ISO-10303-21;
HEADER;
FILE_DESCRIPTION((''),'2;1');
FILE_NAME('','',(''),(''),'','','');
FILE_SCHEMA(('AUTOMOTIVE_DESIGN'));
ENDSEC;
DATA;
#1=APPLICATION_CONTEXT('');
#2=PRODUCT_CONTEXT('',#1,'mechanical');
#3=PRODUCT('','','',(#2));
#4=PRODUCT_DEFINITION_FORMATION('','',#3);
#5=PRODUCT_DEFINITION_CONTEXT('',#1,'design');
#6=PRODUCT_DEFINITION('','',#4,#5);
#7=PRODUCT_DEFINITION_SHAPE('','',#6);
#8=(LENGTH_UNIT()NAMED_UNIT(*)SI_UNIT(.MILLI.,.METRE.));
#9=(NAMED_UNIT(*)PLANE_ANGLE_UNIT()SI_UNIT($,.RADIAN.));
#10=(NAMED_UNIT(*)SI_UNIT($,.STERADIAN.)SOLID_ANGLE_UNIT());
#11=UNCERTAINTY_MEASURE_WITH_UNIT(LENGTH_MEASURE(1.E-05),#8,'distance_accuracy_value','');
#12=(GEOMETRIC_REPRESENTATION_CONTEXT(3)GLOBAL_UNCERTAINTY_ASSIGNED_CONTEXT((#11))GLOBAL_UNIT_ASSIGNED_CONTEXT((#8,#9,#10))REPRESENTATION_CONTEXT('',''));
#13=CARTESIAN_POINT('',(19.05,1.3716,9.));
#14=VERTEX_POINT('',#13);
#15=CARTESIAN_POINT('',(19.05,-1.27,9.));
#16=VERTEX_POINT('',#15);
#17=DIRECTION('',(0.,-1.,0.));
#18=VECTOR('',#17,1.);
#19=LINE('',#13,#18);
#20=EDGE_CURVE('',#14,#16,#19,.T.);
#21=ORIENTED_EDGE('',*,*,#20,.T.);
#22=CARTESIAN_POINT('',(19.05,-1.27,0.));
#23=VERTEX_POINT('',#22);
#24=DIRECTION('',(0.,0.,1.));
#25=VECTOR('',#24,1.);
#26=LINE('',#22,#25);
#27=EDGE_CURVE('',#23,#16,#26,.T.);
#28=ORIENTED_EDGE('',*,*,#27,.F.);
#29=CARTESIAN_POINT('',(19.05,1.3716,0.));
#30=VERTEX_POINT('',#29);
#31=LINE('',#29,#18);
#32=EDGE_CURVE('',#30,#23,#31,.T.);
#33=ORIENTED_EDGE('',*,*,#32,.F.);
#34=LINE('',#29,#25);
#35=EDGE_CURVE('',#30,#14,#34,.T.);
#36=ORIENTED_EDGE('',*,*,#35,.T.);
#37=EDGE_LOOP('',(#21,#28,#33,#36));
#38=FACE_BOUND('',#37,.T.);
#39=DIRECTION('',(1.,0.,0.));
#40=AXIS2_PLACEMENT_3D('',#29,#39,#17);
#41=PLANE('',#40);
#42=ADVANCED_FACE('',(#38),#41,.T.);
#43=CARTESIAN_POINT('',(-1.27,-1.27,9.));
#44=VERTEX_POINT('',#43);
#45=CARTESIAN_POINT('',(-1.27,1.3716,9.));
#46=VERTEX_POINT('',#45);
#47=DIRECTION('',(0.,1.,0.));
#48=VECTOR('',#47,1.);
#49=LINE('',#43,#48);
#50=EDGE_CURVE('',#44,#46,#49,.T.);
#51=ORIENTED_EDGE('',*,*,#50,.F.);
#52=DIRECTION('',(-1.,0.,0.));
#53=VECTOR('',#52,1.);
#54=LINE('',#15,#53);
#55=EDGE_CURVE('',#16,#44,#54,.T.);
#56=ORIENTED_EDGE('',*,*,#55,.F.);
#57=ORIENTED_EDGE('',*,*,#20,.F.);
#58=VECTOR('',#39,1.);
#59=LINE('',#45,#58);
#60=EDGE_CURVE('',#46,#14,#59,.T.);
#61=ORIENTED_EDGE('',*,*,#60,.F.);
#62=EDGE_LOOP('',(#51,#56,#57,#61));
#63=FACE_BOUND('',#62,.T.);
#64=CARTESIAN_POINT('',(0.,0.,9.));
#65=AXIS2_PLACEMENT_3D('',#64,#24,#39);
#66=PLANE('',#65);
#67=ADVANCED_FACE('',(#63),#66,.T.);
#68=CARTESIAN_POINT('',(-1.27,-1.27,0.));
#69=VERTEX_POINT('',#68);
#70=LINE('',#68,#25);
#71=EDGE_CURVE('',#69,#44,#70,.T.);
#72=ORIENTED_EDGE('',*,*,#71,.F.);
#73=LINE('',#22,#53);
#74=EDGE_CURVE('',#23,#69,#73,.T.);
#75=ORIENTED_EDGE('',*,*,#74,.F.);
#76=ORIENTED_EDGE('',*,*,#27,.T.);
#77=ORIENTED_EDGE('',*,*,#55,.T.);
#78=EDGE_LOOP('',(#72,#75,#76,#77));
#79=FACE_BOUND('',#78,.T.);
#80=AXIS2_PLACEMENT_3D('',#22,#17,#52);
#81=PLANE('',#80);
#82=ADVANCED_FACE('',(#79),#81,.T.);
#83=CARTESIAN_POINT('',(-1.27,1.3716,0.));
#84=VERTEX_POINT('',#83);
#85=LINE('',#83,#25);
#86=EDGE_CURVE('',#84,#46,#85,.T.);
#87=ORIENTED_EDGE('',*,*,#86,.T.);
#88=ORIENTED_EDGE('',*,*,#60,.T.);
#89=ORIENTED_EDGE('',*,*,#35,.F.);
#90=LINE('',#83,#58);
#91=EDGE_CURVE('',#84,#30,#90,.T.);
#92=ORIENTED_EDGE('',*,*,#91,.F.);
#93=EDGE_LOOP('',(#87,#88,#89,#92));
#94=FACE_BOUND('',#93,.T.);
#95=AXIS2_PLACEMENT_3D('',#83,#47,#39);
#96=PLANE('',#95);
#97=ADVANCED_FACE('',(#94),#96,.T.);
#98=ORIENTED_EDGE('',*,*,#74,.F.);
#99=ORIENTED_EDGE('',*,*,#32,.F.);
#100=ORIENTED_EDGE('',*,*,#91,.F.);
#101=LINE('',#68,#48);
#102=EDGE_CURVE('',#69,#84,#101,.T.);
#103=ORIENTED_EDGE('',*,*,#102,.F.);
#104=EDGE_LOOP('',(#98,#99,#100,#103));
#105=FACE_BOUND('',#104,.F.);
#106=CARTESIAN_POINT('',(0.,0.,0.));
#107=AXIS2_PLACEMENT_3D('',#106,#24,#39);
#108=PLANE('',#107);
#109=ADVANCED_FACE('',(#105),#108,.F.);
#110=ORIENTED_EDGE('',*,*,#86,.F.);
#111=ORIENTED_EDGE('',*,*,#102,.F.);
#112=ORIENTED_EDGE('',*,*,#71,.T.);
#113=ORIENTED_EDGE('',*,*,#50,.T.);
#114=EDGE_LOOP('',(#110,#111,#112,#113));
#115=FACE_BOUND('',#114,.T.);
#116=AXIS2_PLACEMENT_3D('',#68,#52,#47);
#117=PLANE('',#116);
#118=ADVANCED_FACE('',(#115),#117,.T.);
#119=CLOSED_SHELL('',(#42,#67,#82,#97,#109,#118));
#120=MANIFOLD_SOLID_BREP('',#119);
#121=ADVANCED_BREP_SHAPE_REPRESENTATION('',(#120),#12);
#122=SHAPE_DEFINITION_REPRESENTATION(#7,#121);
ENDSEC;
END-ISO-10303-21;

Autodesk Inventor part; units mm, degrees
ref_plane "YZ Plane" through (0, 0, 0) normal (1, 0, 0) x (0, 1, 0)
ref_plane "XZ Plane" through (0, 0, 0) normal (0, 1, 0) x (-1, 0, 0)
ref_plane "XY Plane" through (0, 0, 0) normal (0, 0, 1) x (1, 0, 0)
sketch "1X08, J3_1X08_19" plane through (0, 0, 0) normal (0, 0, 1) x (1, 0, 0)
  line L0 (-1.27, 1.3716) -> (19.05, 1.3716)
  line L1 (19.05, 1.3716) -> (19.05, -1.27)
  line L2 (19.05, -1.27) -> (-1.27, -1.27)
  line L3 (-1.27, -1.27) -> (-1.27, 1.3716)
extrude "Extrusion1" add sketch "1X08, J3_1X08_19" along normal blind 9
properties part number "J3_1X08"
